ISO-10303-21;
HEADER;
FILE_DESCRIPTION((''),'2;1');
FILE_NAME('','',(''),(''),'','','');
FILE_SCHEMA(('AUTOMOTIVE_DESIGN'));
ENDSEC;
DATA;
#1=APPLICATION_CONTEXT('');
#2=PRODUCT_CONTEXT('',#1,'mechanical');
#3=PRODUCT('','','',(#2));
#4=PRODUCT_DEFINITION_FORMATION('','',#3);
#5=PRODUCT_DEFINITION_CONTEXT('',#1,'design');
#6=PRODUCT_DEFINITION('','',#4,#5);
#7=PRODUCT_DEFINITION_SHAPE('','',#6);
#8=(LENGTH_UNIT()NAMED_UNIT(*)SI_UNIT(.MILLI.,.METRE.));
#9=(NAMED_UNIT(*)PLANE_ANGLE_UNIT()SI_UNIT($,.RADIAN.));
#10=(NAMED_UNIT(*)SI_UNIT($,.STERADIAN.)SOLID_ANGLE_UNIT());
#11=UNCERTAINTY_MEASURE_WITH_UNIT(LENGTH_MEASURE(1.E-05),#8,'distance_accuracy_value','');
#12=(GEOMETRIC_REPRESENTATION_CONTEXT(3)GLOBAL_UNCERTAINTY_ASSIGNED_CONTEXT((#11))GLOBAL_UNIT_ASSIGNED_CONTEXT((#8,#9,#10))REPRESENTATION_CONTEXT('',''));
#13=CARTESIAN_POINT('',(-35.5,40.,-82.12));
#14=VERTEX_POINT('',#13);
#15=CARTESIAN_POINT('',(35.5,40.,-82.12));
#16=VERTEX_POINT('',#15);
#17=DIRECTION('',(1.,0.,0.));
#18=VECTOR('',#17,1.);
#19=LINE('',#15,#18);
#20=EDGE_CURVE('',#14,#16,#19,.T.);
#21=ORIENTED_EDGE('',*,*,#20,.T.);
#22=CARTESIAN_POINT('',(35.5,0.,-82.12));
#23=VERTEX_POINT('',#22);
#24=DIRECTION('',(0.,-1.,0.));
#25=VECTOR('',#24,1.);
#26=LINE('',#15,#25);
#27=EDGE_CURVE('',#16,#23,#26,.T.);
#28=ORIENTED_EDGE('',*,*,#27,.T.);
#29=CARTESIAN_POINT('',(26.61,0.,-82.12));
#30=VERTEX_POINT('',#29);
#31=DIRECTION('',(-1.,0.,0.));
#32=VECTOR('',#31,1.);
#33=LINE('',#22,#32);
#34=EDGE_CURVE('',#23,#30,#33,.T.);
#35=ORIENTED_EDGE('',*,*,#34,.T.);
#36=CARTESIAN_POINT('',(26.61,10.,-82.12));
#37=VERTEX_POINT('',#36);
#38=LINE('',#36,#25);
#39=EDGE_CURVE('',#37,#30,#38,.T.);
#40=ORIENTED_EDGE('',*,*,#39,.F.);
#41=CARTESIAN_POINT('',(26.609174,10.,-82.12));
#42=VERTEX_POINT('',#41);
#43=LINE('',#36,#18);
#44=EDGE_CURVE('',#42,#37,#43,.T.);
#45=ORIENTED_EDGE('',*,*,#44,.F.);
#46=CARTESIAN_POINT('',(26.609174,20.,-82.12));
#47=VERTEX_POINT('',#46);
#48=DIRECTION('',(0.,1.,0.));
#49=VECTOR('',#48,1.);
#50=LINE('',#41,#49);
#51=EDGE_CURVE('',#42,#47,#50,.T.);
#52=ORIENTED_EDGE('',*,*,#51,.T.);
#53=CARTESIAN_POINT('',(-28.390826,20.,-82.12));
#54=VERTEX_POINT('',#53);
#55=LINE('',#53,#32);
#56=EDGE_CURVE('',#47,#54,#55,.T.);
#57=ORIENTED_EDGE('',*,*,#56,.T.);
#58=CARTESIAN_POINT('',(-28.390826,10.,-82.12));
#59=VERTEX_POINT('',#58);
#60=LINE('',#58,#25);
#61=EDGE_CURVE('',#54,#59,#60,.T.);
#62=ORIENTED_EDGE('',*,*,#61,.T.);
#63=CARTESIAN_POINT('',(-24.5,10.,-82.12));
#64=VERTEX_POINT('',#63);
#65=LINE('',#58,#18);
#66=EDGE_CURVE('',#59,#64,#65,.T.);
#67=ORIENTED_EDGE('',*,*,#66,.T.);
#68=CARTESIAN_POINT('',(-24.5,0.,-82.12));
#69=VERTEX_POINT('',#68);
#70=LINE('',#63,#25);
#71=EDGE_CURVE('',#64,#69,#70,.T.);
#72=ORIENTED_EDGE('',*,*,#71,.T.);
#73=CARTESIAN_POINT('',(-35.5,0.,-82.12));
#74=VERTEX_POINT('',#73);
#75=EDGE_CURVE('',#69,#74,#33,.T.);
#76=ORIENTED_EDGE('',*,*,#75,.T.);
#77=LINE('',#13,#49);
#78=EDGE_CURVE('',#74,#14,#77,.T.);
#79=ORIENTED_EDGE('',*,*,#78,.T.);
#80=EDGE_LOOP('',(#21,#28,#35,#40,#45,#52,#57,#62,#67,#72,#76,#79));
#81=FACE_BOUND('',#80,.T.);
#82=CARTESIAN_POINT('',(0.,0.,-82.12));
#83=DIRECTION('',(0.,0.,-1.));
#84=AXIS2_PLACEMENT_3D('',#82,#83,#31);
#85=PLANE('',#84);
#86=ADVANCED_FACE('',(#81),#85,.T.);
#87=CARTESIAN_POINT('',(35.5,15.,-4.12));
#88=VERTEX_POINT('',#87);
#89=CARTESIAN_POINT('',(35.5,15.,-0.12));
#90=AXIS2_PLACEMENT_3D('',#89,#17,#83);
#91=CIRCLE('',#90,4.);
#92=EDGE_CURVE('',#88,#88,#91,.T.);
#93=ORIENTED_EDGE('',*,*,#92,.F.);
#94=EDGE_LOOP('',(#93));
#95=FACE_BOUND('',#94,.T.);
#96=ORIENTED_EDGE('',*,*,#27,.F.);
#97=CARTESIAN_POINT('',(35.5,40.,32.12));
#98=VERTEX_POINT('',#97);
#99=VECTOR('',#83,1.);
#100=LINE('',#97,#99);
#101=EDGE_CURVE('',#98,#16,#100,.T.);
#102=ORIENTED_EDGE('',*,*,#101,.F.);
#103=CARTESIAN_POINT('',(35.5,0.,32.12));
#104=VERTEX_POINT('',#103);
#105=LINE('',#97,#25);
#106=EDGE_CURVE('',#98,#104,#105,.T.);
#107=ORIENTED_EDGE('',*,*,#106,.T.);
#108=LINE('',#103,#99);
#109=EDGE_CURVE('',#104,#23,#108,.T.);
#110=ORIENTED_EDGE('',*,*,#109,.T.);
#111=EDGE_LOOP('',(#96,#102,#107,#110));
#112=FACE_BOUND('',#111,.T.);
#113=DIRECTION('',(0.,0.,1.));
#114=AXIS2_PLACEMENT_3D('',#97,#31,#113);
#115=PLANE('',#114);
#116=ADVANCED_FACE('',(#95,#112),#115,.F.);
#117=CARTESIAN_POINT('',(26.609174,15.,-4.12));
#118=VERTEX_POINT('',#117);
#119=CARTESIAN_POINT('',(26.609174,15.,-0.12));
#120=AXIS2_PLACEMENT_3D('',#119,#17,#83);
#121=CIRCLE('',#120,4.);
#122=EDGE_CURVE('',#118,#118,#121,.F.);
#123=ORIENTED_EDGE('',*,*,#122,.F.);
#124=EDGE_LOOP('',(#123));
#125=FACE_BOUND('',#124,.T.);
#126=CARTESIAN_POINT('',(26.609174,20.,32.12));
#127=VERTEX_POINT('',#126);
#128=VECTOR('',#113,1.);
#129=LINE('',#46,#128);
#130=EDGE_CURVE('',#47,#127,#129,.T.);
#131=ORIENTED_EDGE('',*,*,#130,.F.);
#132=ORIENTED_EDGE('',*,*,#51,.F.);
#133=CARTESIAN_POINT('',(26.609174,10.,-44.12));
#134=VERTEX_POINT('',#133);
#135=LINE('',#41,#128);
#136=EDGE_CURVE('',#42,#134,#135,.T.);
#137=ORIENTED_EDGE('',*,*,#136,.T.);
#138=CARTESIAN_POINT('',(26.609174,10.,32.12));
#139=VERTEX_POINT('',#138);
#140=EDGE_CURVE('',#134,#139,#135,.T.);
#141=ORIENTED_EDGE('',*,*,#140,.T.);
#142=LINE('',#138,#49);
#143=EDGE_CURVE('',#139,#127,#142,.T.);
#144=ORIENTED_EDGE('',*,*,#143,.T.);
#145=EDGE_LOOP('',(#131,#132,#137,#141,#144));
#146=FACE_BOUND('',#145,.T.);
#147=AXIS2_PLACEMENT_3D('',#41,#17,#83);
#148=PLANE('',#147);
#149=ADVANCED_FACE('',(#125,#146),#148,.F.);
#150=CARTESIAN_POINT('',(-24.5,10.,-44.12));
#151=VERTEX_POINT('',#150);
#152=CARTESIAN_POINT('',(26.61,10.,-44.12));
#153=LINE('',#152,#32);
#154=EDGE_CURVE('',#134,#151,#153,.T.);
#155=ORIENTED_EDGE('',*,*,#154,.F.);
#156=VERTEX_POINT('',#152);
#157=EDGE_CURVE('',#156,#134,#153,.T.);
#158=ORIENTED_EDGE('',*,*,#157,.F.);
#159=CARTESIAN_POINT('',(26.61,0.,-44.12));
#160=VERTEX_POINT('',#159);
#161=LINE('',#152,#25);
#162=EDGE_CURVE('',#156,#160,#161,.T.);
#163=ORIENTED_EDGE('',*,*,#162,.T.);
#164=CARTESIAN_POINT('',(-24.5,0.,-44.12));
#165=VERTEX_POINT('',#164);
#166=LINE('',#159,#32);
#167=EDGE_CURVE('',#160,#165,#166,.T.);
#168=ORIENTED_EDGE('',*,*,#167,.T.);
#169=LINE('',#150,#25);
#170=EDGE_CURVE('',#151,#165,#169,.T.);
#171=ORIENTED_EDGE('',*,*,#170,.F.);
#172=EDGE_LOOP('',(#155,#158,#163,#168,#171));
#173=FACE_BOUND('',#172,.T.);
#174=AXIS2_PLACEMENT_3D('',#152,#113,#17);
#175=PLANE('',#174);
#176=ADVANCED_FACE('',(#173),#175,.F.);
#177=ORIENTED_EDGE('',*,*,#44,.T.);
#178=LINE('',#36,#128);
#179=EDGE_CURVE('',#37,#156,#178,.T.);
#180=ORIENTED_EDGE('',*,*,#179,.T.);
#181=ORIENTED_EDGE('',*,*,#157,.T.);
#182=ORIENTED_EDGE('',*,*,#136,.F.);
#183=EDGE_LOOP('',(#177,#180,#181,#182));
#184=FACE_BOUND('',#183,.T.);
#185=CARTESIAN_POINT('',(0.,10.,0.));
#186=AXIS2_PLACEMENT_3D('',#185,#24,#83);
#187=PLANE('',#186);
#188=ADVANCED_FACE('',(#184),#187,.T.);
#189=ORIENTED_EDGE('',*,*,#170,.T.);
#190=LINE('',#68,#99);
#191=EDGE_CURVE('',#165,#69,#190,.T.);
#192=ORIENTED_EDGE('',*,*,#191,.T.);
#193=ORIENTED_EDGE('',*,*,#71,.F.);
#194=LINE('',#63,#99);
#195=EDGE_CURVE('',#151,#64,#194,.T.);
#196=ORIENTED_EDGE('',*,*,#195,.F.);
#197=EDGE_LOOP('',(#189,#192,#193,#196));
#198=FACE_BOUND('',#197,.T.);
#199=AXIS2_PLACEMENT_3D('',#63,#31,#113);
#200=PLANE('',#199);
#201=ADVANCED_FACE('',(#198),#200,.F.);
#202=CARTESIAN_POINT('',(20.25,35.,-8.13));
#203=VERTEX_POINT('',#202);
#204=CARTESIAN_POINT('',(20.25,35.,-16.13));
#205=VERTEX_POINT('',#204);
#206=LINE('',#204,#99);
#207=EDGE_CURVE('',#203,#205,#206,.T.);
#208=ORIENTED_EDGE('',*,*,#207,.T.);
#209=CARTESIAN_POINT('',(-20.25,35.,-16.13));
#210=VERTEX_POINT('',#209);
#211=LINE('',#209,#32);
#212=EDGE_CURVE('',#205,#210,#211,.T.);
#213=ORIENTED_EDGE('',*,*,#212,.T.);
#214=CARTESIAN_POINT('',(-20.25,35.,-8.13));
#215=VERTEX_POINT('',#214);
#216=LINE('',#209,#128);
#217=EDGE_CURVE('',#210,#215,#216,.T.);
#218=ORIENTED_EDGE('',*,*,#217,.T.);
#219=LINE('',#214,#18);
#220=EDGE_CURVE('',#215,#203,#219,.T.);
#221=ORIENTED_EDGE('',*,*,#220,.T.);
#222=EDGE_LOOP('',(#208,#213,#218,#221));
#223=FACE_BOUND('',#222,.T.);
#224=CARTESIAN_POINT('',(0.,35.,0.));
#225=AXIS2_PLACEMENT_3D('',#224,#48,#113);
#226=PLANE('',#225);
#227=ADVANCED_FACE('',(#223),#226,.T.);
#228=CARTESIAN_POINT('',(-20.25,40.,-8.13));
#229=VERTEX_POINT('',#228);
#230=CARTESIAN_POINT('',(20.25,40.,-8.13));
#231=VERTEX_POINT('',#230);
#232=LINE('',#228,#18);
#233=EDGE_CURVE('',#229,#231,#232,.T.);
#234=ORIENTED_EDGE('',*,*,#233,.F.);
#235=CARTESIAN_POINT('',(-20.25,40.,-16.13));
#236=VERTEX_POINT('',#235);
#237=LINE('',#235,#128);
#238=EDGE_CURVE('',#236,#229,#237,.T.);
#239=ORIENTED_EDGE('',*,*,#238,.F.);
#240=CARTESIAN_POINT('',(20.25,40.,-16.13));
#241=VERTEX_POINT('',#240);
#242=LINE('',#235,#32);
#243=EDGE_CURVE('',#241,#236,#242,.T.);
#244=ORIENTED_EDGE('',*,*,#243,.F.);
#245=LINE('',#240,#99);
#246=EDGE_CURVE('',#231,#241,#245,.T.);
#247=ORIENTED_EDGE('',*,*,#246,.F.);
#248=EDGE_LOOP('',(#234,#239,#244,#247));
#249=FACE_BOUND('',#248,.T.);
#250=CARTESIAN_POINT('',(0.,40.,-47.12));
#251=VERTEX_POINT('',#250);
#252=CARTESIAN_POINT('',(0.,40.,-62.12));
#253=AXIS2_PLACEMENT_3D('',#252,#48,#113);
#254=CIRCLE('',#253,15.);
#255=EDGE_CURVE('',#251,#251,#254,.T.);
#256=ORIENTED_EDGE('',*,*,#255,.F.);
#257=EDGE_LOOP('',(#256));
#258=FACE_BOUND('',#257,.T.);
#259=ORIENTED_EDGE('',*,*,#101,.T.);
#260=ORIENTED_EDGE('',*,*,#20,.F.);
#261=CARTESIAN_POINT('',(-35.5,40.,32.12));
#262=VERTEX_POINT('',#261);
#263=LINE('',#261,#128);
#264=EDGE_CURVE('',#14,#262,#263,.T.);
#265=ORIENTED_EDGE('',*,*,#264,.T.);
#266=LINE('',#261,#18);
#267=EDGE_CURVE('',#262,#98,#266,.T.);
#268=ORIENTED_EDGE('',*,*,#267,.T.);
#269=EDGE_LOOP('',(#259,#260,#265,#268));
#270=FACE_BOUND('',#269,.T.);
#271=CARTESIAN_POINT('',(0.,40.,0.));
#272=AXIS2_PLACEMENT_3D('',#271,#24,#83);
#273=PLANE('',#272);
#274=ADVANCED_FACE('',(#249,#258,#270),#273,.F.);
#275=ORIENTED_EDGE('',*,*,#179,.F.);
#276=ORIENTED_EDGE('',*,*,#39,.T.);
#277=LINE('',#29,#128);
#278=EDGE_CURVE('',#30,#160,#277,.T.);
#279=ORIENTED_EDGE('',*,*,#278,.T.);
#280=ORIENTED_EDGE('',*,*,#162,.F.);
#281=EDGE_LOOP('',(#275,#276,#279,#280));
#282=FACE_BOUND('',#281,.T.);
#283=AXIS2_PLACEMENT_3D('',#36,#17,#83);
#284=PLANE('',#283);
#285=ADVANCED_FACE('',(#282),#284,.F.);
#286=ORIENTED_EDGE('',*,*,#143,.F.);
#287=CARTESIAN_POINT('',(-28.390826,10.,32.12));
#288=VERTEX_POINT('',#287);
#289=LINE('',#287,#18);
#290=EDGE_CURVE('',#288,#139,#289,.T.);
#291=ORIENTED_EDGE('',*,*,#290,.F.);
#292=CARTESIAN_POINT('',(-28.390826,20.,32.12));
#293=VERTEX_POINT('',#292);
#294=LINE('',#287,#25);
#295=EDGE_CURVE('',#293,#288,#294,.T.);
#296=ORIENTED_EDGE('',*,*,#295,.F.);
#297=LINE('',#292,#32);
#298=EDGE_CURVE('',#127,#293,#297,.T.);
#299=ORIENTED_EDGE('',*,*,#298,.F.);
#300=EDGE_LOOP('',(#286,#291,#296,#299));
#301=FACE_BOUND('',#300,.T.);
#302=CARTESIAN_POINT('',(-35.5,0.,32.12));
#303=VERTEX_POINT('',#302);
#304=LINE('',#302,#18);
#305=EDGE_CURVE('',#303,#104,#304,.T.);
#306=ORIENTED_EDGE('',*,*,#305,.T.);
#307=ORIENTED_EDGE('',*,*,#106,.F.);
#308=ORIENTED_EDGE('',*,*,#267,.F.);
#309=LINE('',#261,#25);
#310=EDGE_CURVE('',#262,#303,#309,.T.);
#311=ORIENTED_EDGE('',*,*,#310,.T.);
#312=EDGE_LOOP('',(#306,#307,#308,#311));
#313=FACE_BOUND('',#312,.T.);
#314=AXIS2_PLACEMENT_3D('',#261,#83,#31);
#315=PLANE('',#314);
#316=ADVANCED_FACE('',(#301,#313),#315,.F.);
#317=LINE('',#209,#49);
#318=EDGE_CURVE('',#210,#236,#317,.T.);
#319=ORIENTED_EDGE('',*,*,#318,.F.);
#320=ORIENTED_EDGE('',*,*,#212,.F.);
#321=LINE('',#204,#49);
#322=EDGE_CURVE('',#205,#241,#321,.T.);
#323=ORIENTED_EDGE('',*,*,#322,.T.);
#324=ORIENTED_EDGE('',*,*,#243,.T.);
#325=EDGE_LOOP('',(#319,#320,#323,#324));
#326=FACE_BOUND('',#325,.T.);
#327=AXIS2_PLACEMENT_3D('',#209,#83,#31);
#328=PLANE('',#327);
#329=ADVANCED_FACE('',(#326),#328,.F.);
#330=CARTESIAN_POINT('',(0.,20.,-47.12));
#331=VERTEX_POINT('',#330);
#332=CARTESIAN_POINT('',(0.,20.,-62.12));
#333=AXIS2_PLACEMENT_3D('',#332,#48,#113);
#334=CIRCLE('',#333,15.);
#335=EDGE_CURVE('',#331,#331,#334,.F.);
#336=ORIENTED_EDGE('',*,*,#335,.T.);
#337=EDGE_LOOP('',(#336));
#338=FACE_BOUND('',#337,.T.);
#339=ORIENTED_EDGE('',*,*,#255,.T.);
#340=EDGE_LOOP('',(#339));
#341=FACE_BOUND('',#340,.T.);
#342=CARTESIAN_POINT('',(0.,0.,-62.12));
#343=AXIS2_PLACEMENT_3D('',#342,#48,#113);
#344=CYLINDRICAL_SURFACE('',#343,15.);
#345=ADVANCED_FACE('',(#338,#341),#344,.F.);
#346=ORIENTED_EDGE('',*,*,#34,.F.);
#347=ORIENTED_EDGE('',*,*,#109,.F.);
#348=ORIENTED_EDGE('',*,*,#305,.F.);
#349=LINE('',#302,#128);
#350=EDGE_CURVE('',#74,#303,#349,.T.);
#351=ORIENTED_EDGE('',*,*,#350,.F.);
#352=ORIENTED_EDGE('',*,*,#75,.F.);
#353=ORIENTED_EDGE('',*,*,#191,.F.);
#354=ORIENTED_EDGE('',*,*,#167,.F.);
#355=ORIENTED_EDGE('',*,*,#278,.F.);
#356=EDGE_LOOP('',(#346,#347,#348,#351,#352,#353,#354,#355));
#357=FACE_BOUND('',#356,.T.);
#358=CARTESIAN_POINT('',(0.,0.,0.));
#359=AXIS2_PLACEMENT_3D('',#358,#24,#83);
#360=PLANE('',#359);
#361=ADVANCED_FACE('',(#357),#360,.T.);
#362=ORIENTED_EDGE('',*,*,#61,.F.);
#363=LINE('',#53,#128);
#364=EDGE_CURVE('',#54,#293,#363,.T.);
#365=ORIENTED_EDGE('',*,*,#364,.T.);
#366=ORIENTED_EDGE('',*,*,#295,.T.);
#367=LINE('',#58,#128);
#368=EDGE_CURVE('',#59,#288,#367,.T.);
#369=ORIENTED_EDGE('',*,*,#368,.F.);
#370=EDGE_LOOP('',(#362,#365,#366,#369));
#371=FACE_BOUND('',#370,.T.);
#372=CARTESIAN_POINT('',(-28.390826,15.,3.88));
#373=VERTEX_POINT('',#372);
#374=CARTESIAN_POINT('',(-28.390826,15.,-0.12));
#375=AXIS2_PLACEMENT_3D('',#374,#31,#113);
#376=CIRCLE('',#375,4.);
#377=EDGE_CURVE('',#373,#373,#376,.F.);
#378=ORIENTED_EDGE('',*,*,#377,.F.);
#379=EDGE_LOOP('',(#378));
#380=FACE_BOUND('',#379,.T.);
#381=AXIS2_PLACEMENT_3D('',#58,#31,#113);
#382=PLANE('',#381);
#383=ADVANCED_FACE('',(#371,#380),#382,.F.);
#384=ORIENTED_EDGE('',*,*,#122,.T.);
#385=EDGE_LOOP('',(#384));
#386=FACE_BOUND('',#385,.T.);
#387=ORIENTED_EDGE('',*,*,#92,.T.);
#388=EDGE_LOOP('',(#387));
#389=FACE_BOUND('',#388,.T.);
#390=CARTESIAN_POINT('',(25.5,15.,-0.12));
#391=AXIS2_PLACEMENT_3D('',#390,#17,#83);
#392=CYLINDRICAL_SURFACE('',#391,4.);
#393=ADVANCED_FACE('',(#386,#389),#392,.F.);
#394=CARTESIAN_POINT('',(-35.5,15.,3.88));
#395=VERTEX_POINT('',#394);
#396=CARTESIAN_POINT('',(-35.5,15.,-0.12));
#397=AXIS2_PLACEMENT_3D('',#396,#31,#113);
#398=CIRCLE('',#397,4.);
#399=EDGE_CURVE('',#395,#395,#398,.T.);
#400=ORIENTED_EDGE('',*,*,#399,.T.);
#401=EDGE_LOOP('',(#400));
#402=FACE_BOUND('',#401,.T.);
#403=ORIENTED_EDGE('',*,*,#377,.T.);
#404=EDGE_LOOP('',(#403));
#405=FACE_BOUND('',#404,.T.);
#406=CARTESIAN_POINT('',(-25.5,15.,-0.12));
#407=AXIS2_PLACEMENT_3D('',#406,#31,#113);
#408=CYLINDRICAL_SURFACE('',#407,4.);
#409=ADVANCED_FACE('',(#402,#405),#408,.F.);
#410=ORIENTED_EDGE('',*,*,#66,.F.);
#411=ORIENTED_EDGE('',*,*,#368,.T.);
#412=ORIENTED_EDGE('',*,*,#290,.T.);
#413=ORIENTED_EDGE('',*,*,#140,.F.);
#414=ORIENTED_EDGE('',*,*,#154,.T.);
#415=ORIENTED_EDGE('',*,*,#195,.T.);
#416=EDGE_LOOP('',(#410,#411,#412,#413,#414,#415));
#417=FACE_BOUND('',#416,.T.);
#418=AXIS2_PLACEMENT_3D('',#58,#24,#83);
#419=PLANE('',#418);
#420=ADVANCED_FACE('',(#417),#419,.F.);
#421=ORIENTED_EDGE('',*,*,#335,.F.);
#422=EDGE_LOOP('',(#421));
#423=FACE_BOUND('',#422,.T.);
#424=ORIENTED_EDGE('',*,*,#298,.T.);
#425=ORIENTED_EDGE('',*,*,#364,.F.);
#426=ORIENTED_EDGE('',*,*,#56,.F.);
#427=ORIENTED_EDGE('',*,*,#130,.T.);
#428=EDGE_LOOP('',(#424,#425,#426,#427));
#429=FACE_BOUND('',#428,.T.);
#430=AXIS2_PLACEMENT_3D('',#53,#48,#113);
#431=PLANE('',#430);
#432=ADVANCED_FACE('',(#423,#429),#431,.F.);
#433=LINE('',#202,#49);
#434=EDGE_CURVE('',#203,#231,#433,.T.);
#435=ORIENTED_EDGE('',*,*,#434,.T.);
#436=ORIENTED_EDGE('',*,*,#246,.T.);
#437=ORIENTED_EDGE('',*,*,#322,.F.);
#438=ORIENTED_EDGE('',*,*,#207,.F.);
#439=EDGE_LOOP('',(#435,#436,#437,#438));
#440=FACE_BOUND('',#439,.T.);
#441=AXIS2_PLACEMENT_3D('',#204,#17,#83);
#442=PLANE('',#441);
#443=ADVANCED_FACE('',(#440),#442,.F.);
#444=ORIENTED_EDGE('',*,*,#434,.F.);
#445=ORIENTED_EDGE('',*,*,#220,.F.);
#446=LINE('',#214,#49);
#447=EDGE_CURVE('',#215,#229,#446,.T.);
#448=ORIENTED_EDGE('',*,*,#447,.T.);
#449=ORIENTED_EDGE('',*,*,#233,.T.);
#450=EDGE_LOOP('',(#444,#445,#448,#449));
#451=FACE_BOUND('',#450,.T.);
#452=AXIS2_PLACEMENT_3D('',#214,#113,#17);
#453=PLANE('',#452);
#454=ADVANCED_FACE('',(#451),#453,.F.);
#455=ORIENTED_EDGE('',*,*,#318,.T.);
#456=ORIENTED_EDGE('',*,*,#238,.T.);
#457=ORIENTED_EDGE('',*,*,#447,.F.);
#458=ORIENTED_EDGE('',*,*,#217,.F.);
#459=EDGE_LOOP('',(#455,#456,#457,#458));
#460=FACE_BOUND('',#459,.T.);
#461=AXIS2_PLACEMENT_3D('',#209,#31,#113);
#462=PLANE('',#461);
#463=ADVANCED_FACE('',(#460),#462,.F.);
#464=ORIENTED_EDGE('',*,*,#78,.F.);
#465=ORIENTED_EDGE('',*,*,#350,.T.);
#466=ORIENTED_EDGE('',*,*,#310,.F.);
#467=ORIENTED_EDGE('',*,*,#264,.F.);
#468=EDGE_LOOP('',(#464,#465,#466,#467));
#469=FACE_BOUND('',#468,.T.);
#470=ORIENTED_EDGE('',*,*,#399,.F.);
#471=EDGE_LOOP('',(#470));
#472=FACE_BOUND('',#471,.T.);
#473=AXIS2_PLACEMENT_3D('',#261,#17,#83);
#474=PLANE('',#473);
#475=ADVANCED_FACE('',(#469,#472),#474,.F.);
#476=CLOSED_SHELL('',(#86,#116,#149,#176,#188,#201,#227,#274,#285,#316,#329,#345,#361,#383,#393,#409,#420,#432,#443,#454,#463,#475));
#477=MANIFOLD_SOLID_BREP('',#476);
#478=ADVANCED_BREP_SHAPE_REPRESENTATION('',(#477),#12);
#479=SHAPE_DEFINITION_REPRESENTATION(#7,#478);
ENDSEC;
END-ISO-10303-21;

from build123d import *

# Parameters (mm, degrees)
SKETCH1_W           = 71
SKETCH1_H           = 64.24
BOSS_EXTRUDE1_DEPTH = 40
SKETCH2_R           = 4
CUT_EXTRUDE2_DEPTH  = 10
SKETCH5_W           = 71
SKETCH5_H           = 40
BOSS_EXTRUDE2_DEPTH = 50
SKETCH6_R           = 15
CUT_EXTRUDE3_DEPTH  = 98.999716326
SKETCH8_W           = 40.5
SKETCH8_H           = 8
CUT_EXTRUDE5_DEPTH  = 5
CUT_EXTRUDE6_START  = -10
SKETCH9_R           = 4
CUT_EXTRUDE6_DEPTH  = 10
SKETCH10_W          = 55
SKETCH10_H          = 10
CUT_EXTRUDE7_DEPTH  = 127.138921828
SKETCH11_W          = 51.11
SKETCH11_H          = 38
CUT_EXTRUDE8_DEPTH  = 10


with BuildPart() as part:
    # Sketch1 → Boss-Extrude1 (new body)
    with BuildSketch(Plane(origin=(0, 0, 0), x_dir=(1, 0, 0), z_dir=(0, 1, 0))):
        Rectangle(SKETCH1_W, SKETCH1_H)
    extrude(amount=BOSS_EXTRUDE1_DEPTH)

    # Sketch2 → Cut-Extrude2 (cut)
    with BuildSketch(Plane.ZY.offset(35.5)):
        with Locations((-0.12, 15)):
            Circle(SKETCH2_R)
    extrude(amount=-CUT_EXTRUDE2_DEPTH, mode=Mode.SUBTRACT)

    # Sketch5 → Boss-Extrude2 (add)
    with BuildSketch(Plane(origin=(0, 0, -32.12), x_dir=(-1, 0, 0), z_dir=(0, 0, -1))):
        with Locations((0, 20)):
            Rectangle(SKETCH5_W, SKETCH5_H)
    extrude(amount=BOSS_EXTRUDE2_DEPTH)

    # Sketch6 → Cut-Extrude3 (cut, through all)
    with BuildSketch(Plane(origin=(0, 40, 0), x_dir=(1, 0, 0), z_dir=(0, 1, 0))):
        with Locations(Location((0, 62.12, 0), (0, 0, 270))):
            Circle(SKETCH6_R)
    extrude(amount=-CUT_EXTRUDE3_DEPTH, mode=Mode.SUBTRACT)

    # Sketch8 → Cut-Extrude5 (cut)
    with BuildSketch(Plane(origin=(0, 40, 0), x_dir=(1, 0, 0), z_dir=(0, 1, 0))):
        with Locations((0, 12.13)):
            Rectangle(SKETCH8_W, SKETCH8_H)
    extrude(amount=-CUT_EXTRUDE5_DEPTH, mode=Mode.SUBTRACT)

    # Sketch9 → Cut-Extrude6 (cut)
    with BuildSketch(Plane(origin=(35.5, 0, 0), x_dir=(0, 0, -1), z_dir=(1, 0, 0)).offset(CUT_EXTRUDE6_START)):
        with Locations(Location((0.12, 15, 0), (0, 0, 180))):
            Circle(SKETCH9_R)
    extrude(amount=CUT_EXTRUDE6_DEPTH, mode=Mode.SUBTRACT)

    # Sketch10 → Cut-Extrude7 (cut, through all)
    with BuildSketch(Plane.XY.offset(32.12)):
        with Locations((-0.890825636, 15)):
            Rectangle(SKETCH10_W, SKETCH10_H)
    extrude(amount=-CUT_EXTRUDE7_DEPTH, mode=Mode.SUBTRACT)

    # Sketch11 → Cut-Extrude8 (cut)
    with BuildSketch(Plane(origin=(0, 0, 0), x_dir=(-1, 0, 0), z_dir=(0, -1, 0))):
        with Locations((-1.055, 63.12)):
            Rectangle(SKETCH11_W, SKETCH11_H)
    extrude(amount=-CUT_EXTRUDE8_DEPTH, mode=Mode.SUBTRACT)


solid = part.part
